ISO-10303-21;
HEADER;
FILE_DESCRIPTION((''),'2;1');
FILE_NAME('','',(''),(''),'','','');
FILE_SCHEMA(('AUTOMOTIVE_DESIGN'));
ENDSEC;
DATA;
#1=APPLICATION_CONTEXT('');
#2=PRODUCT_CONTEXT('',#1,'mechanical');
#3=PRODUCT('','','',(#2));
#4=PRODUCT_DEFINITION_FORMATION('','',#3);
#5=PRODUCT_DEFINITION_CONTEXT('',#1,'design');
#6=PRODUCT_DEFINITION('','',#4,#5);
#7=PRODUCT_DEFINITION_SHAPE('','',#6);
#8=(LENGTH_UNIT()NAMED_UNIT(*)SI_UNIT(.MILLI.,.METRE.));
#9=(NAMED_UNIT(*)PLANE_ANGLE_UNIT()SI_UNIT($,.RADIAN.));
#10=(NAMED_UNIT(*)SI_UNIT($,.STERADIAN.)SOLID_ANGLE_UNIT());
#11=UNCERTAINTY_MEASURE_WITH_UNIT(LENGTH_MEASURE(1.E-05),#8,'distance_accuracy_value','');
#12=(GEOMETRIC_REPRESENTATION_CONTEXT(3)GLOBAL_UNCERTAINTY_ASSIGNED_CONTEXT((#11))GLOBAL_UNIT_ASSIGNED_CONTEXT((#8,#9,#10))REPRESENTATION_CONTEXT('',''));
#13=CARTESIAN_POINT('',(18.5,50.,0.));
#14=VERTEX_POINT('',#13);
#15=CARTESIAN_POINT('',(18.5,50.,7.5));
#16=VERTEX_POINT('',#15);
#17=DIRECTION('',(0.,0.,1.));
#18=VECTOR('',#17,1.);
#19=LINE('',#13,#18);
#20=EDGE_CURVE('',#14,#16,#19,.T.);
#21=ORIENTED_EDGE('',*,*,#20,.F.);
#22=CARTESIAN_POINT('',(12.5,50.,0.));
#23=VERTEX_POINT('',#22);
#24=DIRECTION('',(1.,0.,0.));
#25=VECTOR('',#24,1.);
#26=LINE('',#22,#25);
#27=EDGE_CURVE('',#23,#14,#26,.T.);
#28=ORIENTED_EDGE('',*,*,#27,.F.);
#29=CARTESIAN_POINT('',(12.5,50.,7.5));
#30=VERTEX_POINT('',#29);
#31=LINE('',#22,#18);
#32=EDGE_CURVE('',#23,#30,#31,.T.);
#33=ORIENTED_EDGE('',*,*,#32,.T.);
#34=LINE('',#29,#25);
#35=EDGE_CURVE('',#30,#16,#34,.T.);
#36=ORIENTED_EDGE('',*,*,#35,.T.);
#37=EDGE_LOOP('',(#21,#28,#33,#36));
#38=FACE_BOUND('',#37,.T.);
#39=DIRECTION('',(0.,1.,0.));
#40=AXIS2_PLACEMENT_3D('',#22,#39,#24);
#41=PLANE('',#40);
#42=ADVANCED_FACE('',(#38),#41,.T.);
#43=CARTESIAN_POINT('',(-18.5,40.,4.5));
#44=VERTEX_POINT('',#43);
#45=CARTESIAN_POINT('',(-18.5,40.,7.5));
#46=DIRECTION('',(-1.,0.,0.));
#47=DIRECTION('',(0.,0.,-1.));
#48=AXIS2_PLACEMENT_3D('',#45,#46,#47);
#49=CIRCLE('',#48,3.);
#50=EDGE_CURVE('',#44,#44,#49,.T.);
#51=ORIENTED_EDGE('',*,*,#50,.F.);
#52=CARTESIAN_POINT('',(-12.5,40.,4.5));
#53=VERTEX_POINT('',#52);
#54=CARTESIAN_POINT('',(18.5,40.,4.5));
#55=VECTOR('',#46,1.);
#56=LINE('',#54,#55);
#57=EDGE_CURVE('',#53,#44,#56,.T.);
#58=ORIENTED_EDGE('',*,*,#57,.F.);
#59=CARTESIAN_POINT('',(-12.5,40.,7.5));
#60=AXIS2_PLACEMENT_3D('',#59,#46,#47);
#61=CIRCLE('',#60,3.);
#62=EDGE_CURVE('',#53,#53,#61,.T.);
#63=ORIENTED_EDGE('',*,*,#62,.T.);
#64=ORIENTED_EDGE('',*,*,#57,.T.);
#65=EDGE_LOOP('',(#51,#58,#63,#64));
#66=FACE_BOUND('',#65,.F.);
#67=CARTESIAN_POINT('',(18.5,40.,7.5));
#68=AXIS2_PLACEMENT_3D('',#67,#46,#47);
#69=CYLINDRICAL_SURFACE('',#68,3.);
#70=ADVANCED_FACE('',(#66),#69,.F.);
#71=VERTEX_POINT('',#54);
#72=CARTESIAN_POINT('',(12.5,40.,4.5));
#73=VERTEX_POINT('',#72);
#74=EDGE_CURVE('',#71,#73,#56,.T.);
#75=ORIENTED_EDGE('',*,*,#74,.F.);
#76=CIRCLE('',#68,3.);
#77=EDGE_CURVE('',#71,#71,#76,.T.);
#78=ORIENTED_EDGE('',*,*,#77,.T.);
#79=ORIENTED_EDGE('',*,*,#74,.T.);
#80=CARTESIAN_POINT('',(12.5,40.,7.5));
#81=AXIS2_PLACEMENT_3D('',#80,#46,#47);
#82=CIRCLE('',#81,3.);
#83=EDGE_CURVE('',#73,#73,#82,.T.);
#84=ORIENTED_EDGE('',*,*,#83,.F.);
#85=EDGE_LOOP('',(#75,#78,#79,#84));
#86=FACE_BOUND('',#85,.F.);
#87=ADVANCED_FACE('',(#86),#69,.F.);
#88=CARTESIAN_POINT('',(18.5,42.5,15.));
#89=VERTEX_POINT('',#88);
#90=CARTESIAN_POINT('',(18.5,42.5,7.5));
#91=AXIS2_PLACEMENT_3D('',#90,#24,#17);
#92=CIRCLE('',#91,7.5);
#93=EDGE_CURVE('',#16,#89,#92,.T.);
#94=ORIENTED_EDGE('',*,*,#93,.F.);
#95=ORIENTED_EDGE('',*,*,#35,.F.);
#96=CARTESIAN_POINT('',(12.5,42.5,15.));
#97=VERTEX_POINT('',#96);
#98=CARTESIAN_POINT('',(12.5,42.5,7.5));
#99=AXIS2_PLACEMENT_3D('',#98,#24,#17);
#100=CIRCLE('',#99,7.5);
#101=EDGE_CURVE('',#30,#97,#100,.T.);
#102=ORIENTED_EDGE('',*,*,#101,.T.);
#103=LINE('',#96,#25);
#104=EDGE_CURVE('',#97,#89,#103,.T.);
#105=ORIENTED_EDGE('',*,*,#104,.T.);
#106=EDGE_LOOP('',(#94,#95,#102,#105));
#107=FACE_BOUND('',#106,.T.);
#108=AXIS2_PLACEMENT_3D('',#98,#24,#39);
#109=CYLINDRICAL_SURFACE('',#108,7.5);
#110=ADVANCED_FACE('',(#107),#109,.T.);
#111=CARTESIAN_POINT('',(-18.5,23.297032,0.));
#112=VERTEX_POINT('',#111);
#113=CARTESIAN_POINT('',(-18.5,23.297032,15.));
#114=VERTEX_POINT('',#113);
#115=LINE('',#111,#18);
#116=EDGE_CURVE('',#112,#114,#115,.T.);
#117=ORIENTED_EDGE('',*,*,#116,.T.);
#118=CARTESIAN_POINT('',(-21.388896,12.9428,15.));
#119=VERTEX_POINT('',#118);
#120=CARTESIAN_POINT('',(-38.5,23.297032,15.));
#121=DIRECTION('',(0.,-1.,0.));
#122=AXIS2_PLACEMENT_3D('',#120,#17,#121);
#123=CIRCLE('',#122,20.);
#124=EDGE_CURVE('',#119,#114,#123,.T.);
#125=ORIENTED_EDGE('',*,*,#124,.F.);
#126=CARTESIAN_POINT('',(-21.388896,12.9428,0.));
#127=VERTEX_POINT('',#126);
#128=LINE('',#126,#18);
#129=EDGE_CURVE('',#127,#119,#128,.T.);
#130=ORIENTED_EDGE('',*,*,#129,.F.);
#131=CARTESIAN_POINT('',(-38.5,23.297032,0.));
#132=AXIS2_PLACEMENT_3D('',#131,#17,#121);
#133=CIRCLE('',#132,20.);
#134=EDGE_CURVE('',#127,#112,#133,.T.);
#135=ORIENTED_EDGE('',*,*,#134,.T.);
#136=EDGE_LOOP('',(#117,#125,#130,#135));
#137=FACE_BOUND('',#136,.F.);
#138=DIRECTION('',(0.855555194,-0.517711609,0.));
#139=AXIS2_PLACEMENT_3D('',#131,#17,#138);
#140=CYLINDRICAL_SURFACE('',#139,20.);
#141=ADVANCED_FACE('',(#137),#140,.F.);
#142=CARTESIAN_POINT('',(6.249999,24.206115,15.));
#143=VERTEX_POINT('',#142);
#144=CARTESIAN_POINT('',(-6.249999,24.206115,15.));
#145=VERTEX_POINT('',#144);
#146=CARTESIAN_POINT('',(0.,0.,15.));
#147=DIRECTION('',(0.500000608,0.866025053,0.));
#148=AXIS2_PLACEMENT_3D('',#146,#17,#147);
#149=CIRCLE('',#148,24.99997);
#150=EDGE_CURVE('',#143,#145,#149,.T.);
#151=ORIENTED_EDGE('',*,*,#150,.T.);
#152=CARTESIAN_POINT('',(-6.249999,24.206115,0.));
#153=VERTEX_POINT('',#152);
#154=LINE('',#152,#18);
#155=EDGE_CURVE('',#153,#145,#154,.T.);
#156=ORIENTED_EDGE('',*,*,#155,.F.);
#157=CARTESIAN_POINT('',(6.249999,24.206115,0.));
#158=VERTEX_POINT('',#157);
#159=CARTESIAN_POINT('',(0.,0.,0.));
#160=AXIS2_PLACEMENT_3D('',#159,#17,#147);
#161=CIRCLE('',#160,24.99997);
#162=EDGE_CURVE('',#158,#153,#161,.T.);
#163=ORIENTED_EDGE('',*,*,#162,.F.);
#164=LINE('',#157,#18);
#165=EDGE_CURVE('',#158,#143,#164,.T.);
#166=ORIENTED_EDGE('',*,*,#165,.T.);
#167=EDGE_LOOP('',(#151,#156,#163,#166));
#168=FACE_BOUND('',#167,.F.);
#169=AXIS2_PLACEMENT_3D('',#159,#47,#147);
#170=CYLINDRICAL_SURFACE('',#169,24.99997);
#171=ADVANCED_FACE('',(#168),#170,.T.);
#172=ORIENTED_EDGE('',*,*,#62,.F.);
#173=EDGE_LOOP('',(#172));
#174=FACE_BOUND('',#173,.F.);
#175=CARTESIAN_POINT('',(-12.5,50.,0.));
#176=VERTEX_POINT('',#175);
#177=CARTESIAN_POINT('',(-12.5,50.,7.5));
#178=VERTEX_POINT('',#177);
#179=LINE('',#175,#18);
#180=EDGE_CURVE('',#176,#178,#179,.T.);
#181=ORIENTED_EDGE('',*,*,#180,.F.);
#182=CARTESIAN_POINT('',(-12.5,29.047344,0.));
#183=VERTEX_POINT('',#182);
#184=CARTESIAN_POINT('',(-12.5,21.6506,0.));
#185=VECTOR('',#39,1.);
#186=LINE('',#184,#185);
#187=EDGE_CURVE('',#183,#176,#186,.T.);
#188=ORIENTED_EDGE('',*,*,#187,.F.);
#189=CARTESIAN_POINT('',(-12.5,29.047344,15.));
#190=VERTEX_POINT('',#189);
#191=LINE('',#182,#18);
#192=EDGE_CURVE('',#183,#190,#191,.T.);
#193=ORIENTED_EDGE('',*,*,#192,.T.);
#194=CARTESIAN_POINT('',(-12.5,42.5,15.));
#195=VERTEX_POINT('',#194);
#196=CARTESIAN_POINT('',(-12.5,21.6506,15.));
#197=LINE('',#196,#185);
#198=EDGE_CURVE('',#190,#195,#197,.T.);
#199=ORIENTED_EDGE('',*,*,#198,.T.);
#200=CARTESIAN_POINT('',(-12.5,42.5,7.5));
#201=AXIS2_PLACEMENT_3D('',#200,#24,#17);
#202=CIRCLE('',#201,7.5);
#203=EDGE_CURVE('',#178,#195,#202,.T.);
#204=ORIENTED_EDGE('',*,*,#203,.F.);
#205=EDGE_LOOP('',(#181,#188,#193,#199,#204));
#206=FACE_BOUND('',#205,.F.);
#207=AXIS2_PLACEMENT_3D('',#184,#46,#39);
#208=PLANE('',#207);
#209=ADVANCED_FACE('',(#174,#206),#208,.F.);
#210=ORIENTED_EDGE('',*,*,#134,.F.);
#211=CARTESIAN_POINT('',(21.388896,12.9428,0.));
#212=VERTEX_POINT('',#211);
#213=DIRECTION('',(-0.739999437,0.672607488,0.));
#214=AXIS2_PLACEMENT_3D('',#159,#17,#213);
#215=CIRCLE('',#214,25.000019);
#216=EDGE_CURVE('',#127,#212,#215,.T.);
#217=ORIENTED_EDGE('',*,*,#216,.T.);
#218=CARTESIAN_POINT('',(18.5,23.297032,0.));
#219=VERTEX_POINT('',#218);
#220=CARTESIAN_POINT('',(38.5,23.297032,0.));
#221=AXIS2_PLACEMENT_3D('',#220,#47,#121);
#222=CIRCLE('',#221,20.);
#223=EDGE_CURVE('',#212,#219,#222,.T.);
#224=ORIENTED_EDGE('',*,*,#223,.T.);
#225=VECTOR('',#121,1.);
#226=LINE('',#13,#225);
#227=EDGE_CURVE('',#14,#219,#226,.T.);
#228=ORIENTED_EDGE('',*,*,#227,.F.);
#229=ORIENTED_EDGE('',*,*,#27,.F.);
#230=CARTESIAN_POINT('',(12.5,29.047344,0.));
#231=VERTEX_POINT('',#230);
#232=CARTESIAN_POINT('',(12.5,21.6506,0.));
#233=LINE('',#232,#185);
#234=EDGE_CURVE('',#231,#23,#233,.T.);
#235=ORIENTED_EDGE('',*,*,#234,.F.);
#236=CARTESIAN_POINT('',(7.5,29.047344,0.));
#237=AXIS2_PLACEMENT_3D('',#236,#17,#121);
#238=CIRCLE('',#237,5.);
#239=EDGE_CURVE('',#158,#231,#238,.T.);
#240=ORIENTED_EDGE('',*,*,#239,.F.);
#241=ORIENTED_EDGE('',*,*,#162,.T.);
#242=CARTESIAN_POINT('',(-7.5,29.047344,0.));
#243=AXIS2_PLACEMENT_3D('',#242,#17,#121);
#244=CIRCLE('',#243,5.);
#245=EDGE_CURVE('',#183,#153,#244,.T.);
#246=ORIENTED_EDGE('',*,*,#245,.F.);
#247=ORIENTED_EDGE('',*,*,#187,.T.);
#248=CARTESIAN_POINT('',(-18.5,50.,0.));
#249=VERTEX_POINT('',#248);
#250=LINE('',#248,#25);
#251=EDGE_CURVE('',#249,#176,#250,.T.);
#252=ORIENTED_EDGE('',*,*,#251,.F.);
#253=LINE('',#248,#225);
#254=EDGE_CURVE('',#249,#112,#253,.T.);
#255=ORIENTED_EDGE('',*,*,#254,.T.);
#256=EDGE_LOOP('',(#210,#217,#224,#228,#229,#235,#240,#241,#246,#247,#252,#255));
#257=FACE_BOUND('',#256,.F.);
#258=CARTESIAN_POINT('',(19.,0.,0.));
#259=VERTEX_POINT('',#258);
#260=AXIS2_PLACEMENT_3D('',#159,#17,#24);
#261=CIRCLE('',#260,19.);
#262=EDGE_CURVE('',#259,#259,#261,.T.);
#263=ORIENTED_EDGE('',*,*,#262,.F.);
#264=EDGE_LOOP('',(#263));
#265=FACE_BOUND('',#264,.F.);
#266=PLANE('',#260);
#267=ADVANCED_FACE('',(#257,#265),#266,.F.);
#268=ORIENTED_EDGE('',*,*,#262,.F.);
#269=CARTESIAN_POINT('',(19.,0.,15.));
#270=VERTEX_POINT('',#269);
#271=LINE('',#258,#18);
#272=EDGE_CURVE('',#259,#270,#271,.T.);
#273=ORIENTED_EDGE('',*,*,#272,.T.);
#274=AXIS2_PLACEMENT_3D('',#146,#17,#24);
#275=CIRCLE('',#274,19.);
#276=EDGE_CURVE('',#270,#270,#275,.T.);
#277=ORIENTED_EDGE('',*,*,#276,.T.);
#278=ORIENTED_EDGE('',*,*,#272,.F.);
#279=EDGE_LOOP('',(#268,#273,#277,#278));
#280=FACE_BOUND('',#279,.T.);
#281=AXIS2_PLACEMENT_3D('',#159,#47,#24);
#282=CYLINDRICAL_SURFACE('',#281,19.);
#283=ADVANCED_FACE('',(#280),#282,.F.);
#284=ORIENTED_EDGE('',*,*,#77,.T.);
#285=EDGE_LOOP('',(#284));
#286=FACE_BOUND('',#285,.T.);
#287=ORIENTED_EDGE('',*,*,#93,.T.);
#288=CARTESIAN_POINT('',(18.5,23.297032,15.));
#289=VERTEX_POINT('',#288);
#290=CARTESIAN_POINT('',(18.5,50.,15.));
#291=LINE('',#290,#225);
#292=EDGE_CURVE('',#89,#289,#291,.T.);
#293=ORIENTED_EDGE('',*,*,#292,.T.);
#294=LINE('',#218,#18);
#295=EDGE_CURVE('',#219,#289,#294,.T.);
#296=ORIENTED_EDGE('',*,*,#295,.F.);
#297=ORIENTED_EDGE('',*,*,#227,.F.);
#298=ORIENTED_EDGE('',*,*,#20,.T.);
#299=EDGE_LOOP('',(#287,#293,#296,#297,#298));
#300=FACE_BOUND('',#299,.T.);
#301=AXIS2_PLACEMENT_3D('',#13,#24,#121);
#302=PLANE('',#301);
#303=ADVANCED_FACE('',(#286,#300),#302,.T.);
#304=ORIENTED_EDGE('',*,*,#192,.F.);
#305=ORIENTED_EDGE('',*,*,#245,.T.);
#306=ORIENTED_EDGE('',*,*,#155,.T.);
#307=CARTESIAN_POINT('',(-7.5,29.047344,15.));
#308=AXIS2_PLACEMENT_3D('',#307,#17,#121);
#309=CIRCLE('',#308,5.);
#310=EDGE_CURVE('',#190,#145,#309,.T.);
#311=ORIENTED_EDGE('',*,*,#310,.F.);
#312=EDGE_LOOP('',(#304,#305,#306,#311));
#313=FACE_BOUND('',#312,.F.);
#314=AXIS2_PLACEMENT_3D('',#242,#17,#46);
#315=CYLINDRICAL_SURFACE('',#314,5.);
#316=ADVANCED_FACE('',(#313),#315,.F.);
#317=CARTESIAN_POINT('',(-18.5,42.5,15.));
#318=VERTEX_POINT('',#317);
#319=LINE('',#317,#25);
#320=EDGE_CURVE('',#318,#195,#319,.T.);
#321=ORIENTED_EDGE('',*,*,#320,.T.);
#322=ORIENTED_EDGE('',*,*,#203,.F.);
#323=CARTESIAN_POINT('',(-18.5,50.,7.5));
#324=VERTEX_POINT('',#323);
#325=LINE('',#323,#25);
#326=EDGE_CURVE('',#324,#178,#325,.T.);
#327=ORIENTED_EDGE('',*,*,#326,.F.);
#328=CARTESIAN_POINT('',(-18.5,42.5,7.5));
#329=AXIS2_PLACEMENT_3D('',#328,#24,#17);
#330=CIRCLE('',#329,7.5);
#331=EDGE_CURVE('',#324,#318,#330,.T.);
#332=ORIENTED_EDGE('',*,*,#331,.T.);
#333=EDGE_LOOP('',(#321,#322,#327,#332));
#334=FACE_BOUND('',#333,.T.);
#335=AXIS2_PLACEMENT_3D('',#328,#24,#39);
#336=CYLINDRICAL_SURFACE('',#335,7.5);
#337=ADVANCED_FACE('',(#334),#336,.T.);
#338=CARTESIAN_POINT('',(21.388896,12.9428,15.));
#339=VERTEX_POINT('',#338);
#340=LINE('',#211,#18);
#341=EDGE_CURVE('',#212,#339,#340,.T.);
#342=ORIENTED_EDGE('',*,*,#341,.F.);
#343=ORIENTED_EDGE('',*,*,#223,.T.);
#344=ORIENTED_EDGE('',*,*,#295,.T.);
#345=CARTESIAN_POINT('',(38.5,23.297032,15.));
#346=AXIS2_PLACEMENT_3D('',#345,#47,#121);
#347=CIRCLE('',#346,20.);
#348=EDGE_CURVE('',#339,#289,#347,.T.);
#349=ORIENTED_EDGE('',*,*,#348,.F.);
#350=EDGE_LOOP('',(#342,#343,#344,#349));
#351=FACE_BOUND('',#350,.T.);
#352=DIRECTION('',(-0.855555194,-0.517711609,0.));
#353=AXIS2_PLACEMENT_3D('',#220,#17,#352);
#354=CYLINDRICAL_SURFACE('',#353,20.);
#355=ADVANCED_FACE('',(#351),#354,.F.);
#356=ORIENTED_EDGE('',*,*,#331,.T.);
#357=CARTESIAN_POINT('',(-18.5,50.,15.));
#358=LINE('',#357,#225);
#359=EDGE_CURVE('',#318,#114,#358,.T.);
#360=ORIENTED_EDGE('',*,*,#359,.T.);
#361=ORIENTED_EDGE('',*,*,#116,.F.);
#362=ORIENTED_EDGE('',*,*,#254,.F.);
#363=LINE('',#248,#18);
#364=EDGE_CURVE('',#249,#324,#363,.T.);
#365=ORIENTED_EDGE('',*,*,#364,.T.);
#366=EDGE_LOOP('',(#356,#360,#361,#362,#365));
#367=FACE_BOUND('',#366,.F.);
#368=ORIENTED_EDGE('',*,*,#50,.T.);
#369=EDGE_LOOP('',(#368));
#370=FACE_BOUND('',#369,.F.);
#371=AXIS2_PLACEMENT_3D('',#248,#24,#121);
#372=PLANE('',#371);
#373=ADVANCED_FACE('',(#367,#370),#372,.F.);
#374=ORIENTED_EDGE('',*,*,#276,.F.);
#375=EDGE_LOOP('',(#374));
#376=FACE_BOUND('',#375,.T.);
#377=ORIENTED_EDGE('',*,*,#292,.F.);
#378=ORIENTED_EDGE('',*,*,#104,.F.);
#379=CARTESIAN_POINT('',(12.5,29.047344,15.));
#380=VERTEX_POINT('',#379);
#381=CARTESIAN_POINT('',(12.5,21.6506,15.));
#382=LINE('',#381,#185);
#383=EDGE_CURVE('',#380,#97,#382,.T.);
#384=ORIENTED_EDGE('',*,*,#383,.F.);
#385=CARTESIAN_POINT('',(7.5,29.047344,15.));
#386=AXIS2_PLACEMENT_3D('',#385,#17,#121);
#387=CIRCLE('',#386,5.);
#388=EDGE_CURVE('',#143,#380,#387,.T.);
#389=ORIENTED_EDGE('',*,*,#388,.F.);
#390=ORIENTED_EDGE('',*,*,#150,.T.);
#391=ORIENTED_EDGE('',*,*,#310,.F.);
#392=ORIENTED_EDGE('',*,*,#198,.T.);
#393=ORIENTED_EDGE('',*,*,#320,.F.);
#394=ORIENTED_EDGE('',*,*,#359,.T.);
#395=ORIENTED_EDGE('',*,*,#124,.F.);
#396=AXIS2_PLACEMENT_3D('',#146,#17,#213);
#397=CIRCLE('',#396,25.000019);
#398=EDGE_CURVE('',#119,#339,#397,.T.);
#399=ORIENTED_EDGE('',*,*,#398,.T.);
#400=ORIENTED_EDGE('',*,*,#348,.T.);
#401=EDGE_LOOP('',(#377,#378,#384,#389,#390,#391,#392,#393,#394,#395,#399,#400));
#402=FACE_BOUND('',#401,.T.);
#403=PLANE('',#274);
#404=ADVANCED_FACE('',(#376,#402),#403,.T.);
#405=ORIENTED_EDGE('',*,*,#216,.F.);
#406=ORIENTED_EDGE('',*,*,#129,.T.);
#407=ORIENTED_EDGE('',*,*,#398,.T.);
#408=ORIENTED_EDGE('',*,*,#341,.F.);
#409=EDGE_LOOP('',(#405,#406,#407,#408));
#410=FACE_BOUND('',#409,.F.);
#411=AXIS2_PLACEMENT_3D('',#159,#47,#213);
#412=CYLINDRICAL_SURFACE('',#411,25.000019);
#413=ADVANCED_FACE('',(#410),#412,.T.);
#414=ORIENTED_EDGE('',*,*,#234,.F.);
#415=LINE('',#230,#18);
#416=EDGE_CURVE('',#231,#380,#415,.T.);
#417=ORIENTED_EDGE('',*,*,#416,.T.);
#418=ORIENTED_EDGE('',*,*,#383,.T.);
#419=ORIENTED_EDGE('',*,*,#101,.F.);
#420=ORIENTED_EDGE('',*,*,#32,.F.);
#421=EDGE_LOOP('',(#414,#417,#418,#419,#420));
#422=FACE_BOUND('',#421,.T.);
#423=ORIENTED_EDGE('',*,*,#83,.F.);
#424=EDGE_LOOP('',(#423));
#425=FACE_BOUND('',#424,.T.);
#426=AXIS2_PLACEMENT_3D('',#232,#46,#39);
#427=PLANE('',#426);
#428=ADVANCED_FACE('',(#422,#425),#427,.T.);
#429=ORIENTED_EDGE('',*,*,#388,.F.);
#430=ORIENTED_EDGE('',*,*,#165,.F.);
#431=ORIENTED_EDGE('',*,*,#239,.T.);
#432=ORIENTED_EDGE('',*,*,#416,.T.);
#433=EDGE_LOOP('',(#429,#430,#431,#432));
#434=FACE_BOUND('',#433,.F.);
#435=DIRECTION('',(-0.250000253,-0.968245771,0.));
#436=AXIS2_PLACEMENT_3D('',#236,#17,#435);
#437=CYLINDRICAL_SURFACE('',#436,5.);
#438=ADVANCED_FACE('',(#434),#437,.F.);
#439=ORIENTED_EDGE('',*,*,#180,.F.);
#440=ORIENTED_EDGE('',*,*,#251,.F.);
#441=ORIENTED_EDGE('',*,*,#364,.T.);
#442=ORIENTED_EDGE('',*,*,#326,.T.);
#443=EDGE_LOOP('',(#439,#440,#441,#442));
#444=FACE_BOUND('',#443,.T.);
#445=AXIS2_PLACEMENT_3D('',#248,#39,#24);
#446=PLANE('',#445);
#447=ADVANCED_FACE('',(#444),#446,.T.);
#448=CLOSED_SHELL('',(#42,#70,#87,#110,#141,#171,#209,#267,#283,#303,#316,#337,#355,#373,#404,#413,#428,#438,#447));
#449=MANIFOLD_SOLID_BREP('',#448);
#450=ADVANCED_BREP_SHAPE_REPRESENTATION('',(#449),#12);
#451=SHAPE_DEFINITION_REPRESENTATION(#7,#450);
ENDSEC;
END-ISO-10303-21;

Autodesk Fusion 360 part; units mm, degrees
sketch "Sketch1" plane through (0, 0, 0) normal (0, 0, 1) x (1, 0, 0)
  circle A0 centre (0, 0) radius 19
  line L0 (0, 0) -> (0, 68.0684) construction
  line L1 (-12.5, 21.6506) -> (-12.5, 50)
  line L2 (-18.5, 50) -> (-12.5, 50)
  line L3 (12.5, 50) -> (18.5, 50)
  line L4 (-18.5, 50) -> (-18.5, 16.8152)
  line L5 (12.5, 21.6506) -> (12.5, 50)
  line L6 (18.5, 50) -> (18.5, 16.8152)
  arc A1 (-18.5, 16.8152) -> (18.5, 16.8152) centre (0, 0) ccw
  arc A2 (12.5, 21.6506) -> (-12.5, 21.6506) centre (0, 0) ccw
  dimension "d1" = 38
  dimension "d3" = 12.5
  dimension "d5" = 6
extrude "Extrude1" add sketch "Sketch1" along normal blind 15
fillet "Fillet1" radius 20 1 edges at (-18.5, 16.8152, 7.5)
fillet "Fillet2" radius 20 1 edges at (18.5, 16.8152, 7.5)
fillet "Fillet3" radius 5 1 edges at (-12.5, 21.6506, 7.5)
fillet "Fillet4" radius 5 1 edges at (12.5, 21.6506, 7.5)
sketch "Sketch2" plane through (18.5, 0, 0) normal (1, 0, 0) x (0, 1, 0)
  line L0 (23.297, 15) -> (23.297, 0)
  line L1 (23.297, 0) -> (50, 0)
  line L2 (50, 0) -> (50, 15)
  line L3 (50, 15) -> (23.297, 15)
  point P0 (40, 7.5)
  dimension "d17" = 7.5
  dimension "d18" = 10
hole "Hole1" at (18.5, 40, 7.5) direction (-1, 0, 0) diameter 6 depth 70 tip angle 118
fillet "Fillet5" radius 7.5 2 edges at (15.5, 50, 15) (-15.5, 50, 15)
